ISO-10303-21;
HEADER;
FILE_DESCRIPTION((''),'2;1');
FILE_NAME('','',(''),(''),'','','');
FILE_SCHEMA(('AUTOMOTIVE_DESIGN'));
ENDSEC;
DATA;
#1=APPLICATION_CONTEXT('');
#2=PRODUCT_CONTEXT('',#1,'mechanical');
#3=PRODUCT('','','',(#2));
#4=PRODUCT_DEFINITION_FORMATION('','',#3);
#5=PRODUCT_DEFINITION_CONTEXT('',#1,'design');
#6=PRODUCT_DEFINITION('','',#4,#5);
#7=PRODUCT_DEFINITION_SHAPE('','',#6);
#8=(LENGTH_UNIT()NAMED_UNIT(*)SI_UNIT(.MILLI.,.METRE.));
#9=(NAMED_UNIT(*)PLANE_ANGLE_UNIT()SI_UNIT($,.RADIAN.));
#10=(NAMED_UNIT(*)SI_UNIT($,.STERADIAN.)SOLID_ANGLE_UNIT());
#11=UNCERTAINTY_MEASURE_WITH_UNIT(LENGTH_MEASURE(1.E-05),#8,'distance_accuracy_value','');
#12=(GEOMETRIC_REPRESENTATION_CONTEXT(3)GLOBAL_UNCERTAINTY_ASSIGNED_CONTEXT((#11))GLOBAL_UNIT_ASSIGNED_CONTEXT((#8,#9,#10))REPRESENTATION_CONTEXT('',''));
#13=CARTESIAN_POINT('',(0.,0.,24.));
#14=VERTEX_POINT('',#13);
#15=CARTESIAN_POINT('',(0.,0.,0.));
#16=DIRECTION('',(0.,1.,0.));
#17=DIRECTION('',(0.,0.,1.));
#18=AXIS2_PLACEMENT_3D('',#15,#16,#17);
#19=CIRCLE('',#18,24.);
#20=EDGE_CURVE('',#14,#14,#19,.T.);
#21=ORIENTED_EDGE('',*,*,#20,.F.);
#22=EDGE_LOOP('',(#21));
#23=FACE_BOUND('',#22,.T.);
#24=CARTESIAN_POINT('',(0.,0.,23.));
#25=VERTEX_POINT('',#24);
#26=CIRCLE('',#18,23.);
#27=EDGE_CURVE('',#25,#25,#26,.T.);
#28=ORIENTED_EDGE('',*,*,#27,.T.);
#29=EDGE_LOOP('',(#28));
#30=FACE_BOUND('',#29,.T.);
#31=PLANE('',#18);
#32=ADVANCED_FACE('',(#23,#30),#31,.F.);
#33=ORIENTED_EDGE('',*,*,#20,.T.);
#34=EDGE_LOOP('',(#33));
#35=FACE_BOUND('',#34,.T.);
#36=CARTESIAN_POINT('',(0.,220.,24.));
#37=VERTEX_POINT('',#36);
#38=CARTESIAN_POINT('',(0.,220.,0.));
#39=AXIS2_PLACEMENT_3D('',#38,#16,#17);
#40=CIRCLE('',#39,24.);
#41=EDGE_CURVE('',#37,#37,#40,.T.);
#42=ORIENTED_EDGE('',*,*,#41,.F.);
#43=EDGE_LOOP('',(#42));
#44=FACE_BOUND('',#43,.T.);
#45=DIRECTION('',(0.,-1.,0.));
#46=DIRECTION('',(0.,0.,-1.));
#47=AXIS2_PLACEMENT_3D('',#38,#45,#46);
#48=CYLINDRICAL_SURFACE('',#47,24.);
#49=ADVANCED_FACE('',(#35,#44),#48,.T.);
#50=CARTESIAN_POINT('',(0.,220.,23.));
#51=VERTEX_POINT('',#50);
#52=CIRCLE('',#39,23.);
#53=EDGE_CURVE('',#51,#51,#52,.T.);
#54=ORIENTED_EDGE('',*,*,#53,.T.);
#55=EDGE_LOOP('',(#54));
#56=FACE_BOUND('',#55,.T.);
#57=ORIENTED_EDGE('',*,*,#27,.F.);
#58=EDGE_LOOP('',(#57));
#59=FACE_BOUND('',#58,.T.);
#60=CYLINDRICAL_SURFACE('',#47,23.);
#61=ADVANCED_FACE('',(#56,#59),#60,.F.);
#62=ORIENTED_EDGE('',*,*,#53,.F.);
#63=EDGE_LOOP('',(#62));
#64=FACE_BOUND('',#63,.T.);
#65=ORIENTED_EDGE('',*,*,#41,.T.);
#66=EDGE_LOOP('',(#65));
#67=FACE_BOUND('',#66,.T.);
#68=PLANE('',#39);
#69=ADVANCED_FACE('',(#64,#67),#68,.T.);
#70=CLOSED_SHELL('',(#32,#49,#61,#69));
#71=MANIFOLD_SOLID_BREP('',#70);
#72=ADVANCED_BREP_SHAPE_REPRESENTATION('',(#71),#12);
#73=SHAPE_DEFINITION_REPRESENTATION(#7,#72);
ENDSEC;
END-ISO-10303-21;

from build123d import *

# Parameters (mm, degrees)
SKETCH1_R           = 24
SKETCH1_R_2         = 23
BOSS_EXTRUDE1_DEPTH = 220


with BuildPart() as part:
    # Sketch1 → Boss-Extrude1 (new body)
    with BuildSketch(Plane(origin=(0, 0, 0), x_dir=(1, 0, 0), z_dir=(0, 1, 0))):
        Circle(SKETCH1_R)
        Circle(SKETCH1_R_2, mode=Mode.SUBTRACT)
    extrude(amount=BOSS_EXTRUDE1_DEPTH)


solid = part.part
